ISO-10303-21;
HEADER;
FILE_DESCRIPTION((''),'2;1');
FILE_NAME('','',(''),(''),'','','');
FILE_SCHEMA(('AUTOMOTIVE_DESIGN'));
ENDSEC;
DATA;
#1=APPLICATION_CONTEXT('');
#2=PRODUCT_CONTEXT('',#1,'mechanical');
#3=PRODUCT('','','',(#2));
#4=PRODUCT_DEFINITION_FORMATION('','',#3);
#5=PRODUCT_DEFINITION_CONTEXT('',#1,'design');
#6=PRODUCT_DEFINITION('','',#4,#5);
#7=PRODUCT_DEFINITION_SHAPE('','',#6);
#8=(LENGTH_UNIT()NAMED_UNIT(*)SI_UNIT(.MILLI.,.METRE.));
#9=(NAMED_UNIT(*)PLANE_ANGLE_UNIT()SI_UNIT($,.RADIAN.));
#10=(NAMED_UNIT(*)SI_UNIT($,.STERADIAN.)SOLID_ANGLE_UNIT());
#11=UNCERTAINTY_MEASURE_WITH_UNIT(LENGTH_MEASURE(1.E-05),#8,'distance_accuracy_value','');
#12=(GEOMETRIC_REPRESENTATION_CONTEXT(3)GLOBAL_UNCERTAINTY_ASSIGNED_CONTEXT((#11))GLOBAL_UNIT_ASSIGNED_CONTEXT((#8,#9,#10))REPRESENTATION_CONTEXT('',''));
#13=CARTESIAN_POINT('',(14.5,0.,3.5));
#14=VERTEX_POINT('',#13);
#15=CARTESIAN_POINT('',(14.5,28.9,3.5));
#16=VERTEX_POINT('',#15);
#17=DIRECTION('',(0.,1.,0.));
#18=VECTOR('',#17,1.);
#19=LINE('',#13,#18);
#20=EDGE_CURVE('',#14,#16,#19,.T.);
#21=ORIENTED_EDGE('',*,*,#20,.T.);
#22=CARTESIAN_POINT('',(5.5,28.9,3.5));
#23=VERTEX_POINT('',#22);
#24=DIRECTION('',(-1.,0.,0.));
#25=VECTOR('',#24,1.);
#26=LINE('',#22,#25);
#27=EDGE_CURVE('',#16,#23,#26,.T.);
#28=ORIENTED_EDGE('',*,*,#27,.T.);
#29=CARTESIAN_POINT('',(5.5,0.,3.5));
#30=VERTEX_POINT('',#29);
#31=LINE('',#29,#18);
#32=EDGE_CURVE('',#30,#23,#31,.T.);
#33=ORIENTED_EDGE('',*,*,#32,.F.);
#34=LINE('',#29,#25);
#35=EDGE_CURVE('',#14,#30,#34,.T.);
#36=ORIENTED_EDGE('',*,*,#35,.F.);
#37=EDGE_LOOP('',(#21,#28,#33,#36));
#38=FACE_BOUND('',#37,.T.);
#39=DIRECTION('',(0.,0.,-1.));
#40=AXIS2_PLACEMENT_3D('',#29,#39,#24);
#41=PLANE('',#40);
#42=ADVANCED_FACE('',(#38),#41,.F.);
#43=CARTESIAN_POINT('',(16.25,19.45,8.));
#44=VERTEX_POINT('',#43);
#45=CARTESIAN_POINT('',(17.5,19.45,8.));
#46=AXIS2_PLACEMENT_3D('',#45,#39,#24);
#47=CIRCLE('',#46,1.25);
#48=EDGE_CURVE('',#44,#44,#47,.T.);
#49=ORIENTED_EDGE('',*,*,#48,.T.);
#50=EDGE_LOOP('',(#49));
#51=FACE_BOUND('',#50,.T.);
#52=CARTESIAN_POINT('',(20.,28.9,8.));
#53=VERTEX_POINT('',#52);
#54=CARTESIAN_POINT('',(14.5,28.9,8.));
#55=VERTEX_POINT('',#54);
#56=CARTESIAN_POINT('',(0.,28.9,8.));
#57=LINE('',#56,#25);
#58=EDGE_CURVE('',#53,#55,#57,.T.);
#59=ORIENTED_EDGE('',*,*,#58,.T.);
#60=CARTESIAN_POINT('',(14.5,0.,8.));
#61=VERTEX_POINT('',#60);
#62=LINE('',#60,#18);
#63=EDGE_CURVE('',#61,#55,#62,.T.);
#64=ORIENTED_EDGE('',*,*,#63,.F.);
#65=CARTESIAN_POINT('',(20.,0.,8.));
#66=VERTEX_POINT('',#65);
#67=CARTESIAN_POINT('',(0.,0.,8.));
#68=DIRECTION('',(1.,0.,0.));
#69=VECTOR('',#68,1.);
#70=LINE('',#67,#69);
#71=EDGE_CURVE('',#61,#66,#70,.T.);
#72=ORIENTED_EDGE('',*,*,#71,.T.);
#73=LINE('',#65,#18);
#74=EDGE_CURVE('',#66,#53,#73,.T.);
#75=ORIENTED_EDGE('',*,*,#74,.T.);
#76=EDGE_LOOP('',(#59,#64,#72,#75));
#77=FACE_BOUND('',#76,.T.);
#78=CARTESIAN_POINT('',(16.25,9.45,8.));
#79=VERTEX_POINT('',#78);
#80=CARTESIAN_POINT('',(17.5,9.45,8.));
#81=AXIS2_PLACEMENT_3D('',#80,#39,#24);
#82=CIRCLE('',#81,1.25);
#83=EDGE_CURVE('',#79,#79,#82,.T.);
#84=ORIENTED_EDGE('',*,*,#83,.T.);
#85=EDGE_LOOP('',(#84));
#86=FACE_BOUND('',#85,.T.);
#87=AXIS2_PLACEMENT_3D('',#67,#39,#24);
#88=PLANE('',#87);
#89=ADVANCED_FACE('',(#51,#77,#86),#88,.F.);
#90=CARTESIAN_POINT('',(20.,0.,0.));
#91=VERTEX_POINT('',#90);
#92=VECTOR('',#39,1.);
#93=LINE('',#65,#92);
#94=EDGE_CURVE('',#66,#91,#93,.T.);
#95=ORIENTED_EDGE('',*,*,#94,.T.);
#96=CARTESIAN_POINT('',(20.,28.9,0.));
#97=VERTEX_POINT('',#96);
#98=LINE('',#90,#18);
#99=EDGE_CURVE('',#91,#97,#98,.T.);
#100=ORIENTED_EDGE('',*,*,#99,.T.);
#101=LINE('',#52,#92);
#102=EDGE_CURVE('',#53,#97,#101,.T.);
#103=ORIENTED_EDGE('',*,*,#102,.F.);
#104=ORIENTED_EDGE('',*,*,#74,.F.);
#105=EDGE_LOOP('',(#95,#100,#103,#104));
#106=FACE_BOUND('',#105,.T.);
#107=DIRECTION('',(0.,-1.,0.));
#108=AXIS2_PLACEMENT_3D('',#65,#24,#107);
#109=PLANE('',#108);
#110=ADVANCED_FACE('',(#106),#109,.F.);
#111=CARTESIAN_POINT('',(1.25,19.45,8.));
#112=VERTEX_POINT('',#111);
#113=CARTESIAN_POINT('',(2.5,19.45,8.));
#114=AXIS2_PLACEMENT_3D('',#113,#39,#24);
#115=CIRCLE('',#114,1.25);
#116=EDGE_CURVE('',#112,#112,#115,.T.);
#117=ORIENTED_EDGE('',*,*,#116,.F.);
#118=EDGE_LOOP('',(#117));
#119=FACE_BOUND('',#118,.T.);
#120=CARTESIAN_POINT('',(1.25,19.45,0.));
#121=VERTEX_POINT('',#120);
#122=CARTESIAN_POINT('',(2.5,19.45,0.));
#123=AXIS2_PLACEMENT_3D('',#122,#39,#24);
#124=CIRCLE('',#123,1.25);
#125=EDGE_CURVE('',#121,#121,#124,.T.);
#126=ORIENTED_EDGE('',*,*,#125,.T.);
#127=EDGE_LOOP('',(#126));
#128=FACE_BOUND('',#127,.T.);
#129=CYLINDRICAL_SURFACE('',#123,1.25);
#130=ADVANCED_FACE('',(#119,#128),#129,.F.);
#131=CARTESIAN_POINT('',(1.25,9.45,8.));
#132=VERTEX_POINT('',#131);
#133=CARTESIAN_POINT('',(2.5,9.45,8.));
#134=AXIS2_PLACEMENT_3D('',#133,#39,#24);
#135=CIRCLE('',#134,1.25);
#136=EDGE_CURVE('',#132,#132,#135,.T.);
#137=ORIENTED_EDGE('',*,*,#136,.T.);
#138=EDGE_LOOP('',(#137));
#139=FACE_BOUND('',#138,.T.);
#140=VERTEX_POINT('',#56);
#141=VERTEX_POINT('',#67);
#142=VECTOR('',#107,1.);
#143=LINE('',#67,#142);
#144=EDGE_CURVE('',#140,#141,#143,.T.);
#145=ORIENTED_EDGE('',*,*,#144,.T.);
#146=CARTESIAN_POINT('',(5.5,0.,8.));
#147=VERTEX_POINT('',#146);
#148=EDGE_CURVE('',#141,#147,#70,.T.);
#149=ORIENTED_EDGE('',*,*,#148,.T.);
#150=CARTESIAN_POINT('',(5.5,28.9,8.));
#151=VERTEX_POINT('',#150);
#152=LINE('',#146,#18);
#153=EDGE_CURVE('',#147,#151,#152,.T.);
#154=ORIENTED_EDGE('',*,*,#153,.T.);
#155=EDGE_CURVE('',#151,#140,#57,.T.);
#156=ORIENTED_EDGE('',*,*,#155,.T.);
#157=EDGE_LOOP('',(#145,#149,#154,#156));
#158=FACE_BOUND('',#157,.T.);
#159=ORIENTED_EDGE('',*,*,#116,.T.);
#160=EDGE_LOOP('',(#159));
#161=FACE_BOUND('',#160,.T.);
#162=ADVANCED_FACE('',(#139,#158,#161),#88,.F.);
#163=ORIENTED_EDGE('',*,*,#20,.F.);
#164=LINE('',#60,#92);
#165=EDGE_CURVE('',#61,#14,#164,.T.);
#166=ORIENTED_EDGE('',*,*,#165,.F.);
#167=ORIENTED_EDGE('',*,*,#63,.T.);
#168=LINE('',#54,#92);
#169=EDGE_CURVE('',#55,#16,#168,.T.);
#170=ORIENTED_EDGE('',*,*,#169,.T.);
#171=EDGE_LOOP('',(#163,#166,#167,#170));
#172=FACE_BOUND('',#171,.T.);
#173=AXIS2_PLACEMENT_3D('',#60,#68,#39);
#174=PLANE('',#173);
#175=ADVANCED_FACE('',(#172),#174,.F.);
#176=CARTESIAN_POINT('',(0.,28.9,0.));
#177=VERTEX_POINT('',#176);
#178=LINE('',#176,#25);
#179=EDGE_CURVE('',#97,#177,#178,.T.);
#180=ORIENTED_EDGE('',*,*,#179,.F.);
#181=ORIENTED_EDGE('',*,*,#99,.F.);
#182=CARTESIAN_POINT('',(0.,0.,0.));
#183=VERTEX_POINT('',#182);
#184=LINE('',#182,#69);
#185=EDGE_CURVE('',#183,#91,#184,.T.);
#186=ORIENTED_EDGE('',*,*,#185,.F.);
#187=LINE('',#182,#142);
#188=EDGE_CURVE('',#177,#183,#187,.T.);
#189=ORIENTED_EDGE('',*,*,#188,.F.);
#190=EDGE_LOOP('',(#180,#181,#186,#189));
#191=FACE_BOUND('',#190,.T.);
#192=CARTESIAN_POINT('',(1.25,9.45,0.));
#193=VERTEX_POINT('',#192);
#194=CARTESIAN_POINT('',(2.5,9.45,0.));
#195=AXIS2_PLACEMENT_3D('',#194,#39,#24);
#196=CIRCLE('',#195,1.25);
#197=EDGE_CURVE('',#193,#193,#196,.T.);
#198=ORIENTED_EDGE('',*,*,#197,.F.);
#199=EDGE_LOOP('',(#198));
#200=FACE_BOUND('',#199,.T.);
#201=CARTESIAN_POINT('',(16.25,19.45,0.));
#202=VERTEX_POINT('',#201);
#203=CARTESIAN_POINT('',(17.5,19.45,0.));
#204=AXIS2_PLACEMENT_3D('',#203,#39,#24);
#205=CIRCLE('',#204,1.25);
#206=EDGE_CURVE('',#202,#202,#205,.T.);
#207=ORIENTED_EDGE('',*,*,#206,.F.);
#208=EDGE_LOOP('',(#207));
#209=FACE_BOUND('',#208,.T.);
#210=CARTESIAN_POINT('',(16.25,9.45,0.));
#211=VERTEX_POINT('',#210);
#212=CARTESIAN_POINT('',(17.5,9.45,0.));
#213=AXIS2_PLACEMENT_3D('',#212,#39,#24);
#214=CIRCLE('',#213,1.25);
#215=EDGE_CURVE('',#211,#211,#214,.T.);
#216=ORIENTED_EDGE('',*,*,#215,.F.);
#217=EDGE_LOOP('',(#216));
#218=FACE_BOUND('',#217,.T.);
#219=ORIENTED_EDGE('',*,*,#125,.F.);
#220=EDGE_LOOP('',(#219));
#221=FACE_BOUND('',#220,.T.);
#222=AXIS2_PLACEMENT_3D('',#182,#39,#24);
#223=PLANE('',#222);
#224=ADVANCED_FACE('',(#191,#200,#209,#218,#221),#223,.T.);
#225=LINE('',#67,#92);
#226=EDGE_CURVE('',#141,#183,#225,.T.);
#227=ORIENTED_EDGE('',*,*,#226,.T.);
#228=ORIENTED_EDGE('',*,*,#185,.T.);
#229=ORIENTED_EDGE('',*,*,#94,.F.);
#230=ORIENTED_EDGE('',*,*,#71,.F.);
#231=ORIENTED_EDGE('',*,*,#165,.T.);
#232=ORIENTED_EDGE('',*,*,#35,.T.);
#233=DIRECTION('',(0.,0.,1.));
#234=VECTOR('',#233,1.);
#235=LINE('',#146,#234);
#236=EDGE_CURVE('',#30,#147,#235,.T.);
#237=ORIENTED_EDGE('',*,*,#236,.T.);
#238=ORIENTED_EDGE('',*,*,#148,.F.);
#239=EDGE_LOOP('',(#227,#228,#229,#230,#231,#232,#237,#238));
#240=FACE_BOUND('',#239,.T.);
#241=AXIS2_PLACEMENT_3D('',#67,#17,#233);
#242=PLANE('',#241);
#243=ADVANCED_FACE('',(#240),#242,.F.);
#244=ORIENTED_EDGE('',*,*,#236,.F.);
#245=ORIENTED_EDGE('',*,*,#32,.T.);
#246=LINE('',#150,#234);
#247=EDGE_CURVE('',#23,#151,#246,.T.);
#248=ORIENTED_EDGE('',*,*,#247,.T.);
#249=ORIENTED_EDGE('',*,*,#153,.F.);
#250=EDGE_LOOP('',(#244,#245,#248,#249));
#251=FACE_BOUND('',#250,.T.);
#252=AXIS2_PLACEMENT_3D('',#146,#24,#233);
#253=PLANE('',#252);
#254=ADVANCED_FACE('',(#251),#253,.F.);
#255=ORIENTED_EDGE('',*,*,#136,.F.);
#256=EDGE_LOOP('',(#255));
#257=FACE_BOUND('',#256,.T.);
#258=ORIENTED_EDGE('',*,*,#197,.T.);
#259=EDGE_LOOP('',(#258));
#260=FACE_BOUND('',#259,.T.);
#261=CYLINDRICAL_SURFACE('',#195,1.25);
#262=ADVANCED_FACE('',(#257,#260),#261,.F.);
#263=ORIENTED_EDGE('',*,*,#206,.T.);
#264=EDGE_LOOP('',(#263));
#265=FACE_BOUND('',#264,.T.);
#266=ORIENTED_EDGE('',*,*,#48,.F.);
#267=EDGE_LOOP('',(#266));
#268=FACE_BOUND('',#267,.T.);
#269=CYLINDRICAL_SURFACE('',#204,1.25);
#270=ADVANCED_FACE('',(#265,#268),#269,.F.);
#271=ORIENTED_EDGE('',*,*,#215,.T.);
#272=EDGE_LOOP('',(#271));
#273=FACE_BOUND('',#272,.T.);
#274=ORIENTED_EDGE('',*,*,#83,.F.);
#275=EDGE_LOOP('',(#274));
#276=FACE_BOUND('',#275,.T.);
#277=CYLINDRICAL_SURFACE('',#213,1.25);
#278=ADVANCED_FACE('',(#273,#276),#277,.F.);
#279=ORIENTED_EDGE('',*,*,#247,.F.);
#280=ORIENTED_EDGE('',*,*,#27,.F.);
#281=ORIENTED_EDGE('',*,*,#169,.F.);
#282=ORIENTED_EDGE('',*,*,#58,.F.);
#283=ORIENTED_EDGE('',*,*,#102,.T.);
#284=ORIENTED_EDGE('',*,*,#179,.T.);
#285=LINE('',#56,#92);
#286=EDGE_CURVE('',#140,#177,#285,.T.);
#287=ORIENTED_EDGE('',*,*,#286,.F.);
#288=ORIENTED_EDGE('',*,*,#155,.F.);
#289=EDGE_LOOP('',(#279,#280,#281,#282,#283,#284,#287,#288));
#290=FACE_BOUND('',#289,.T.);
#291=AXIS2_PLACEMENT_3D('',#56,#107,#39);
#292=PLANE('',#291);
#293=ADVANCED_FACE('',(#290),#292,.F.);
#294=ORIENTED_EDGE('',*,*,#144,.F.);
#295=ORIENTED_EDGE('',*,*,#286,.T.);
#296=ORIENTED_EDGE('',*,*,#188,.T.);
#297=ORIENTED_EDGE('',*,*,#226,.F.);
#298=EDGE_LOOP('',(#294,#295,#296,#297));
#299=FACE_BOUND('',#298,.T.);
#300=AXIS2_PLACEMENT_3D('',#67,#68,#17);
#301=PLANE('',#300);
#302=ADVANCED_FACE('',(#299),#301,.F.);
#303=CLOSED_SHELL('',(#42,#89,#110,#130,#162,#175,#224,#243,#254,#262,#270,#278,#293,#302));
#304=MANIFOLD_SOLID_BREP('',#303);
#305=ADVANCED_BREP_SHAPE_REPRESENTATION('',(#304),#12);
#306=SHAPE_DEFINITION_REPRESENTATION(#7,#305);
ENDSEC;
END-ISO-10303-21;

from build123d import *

# Parameters (mm, degrees)
SKETCH_1_W             = 20
SKETCH_1_H             = 28.9
EXTRUDE_1_DEPTH        = 8
SKETCH_2_W             = 9
SKETCH_2_H             = 4.5
CUT_EXTRUDE_1_DEPTH    = 29.9
HOLE_WIZARD_M3_1_D     = 2.5
HOLE_WIZARD_M3_1_DEPTH = 10.1
HOLE_WIZARD_M3_1_TIP   = 0.751075774


with BuildPart() as part:
    # 草图1 → 凸台-拉伸1 (new body)
    with BuildSketch(Plane.XY):
        with Locations((10, 14.45)):
            Rectangle(SKETCH_1_W, SKETCH_1_H)
    extrude(amount=EXTRUDE_1_DEPTH)

    # 草图2 → 切除-拉伸1 (cut, through all)
    with BuildSketch(Plane(origin=(0, 28.9, 0), x_dir=(1, 0, 0), z_dir=(0, 1, 0))):
        with Locations((10, -5.75)):
            Rectangle(SKETCH_2_W, SKETCH_2_H)
    extrude(amount=-CUT_EXTRUDE_1_DEPTH, mode=Mode.SUBTRACT)

    # M3 螺纹孔1
    with Locations(Plane(origin=(0, 0, 0), x_dir=(-1, 0, 0), z_dir=(0, 0, -1))):
        with Locations((-2.5, 9.45), (-17.5, 9.45), (-2.5, 19.45), (-17.5, 19.45)):
            Hole(HOLE_WIZARD_M3_1_D / 2, depth=HOLE_WIZARD_M3_1_DEPTH)
            with Locations((0, 0, -(HOLE_WIZARD_M3_1_DEPTH + HOLE_WIZARD_M3_1_TIP / 2))):  # 118° drill point
                Cone(0, HOLE_WIZARD_M3_1_D / 2, HOLE_WIZARD_M3_1_TIP, mode=Mode.SUBTRACT)


solid = part.part
